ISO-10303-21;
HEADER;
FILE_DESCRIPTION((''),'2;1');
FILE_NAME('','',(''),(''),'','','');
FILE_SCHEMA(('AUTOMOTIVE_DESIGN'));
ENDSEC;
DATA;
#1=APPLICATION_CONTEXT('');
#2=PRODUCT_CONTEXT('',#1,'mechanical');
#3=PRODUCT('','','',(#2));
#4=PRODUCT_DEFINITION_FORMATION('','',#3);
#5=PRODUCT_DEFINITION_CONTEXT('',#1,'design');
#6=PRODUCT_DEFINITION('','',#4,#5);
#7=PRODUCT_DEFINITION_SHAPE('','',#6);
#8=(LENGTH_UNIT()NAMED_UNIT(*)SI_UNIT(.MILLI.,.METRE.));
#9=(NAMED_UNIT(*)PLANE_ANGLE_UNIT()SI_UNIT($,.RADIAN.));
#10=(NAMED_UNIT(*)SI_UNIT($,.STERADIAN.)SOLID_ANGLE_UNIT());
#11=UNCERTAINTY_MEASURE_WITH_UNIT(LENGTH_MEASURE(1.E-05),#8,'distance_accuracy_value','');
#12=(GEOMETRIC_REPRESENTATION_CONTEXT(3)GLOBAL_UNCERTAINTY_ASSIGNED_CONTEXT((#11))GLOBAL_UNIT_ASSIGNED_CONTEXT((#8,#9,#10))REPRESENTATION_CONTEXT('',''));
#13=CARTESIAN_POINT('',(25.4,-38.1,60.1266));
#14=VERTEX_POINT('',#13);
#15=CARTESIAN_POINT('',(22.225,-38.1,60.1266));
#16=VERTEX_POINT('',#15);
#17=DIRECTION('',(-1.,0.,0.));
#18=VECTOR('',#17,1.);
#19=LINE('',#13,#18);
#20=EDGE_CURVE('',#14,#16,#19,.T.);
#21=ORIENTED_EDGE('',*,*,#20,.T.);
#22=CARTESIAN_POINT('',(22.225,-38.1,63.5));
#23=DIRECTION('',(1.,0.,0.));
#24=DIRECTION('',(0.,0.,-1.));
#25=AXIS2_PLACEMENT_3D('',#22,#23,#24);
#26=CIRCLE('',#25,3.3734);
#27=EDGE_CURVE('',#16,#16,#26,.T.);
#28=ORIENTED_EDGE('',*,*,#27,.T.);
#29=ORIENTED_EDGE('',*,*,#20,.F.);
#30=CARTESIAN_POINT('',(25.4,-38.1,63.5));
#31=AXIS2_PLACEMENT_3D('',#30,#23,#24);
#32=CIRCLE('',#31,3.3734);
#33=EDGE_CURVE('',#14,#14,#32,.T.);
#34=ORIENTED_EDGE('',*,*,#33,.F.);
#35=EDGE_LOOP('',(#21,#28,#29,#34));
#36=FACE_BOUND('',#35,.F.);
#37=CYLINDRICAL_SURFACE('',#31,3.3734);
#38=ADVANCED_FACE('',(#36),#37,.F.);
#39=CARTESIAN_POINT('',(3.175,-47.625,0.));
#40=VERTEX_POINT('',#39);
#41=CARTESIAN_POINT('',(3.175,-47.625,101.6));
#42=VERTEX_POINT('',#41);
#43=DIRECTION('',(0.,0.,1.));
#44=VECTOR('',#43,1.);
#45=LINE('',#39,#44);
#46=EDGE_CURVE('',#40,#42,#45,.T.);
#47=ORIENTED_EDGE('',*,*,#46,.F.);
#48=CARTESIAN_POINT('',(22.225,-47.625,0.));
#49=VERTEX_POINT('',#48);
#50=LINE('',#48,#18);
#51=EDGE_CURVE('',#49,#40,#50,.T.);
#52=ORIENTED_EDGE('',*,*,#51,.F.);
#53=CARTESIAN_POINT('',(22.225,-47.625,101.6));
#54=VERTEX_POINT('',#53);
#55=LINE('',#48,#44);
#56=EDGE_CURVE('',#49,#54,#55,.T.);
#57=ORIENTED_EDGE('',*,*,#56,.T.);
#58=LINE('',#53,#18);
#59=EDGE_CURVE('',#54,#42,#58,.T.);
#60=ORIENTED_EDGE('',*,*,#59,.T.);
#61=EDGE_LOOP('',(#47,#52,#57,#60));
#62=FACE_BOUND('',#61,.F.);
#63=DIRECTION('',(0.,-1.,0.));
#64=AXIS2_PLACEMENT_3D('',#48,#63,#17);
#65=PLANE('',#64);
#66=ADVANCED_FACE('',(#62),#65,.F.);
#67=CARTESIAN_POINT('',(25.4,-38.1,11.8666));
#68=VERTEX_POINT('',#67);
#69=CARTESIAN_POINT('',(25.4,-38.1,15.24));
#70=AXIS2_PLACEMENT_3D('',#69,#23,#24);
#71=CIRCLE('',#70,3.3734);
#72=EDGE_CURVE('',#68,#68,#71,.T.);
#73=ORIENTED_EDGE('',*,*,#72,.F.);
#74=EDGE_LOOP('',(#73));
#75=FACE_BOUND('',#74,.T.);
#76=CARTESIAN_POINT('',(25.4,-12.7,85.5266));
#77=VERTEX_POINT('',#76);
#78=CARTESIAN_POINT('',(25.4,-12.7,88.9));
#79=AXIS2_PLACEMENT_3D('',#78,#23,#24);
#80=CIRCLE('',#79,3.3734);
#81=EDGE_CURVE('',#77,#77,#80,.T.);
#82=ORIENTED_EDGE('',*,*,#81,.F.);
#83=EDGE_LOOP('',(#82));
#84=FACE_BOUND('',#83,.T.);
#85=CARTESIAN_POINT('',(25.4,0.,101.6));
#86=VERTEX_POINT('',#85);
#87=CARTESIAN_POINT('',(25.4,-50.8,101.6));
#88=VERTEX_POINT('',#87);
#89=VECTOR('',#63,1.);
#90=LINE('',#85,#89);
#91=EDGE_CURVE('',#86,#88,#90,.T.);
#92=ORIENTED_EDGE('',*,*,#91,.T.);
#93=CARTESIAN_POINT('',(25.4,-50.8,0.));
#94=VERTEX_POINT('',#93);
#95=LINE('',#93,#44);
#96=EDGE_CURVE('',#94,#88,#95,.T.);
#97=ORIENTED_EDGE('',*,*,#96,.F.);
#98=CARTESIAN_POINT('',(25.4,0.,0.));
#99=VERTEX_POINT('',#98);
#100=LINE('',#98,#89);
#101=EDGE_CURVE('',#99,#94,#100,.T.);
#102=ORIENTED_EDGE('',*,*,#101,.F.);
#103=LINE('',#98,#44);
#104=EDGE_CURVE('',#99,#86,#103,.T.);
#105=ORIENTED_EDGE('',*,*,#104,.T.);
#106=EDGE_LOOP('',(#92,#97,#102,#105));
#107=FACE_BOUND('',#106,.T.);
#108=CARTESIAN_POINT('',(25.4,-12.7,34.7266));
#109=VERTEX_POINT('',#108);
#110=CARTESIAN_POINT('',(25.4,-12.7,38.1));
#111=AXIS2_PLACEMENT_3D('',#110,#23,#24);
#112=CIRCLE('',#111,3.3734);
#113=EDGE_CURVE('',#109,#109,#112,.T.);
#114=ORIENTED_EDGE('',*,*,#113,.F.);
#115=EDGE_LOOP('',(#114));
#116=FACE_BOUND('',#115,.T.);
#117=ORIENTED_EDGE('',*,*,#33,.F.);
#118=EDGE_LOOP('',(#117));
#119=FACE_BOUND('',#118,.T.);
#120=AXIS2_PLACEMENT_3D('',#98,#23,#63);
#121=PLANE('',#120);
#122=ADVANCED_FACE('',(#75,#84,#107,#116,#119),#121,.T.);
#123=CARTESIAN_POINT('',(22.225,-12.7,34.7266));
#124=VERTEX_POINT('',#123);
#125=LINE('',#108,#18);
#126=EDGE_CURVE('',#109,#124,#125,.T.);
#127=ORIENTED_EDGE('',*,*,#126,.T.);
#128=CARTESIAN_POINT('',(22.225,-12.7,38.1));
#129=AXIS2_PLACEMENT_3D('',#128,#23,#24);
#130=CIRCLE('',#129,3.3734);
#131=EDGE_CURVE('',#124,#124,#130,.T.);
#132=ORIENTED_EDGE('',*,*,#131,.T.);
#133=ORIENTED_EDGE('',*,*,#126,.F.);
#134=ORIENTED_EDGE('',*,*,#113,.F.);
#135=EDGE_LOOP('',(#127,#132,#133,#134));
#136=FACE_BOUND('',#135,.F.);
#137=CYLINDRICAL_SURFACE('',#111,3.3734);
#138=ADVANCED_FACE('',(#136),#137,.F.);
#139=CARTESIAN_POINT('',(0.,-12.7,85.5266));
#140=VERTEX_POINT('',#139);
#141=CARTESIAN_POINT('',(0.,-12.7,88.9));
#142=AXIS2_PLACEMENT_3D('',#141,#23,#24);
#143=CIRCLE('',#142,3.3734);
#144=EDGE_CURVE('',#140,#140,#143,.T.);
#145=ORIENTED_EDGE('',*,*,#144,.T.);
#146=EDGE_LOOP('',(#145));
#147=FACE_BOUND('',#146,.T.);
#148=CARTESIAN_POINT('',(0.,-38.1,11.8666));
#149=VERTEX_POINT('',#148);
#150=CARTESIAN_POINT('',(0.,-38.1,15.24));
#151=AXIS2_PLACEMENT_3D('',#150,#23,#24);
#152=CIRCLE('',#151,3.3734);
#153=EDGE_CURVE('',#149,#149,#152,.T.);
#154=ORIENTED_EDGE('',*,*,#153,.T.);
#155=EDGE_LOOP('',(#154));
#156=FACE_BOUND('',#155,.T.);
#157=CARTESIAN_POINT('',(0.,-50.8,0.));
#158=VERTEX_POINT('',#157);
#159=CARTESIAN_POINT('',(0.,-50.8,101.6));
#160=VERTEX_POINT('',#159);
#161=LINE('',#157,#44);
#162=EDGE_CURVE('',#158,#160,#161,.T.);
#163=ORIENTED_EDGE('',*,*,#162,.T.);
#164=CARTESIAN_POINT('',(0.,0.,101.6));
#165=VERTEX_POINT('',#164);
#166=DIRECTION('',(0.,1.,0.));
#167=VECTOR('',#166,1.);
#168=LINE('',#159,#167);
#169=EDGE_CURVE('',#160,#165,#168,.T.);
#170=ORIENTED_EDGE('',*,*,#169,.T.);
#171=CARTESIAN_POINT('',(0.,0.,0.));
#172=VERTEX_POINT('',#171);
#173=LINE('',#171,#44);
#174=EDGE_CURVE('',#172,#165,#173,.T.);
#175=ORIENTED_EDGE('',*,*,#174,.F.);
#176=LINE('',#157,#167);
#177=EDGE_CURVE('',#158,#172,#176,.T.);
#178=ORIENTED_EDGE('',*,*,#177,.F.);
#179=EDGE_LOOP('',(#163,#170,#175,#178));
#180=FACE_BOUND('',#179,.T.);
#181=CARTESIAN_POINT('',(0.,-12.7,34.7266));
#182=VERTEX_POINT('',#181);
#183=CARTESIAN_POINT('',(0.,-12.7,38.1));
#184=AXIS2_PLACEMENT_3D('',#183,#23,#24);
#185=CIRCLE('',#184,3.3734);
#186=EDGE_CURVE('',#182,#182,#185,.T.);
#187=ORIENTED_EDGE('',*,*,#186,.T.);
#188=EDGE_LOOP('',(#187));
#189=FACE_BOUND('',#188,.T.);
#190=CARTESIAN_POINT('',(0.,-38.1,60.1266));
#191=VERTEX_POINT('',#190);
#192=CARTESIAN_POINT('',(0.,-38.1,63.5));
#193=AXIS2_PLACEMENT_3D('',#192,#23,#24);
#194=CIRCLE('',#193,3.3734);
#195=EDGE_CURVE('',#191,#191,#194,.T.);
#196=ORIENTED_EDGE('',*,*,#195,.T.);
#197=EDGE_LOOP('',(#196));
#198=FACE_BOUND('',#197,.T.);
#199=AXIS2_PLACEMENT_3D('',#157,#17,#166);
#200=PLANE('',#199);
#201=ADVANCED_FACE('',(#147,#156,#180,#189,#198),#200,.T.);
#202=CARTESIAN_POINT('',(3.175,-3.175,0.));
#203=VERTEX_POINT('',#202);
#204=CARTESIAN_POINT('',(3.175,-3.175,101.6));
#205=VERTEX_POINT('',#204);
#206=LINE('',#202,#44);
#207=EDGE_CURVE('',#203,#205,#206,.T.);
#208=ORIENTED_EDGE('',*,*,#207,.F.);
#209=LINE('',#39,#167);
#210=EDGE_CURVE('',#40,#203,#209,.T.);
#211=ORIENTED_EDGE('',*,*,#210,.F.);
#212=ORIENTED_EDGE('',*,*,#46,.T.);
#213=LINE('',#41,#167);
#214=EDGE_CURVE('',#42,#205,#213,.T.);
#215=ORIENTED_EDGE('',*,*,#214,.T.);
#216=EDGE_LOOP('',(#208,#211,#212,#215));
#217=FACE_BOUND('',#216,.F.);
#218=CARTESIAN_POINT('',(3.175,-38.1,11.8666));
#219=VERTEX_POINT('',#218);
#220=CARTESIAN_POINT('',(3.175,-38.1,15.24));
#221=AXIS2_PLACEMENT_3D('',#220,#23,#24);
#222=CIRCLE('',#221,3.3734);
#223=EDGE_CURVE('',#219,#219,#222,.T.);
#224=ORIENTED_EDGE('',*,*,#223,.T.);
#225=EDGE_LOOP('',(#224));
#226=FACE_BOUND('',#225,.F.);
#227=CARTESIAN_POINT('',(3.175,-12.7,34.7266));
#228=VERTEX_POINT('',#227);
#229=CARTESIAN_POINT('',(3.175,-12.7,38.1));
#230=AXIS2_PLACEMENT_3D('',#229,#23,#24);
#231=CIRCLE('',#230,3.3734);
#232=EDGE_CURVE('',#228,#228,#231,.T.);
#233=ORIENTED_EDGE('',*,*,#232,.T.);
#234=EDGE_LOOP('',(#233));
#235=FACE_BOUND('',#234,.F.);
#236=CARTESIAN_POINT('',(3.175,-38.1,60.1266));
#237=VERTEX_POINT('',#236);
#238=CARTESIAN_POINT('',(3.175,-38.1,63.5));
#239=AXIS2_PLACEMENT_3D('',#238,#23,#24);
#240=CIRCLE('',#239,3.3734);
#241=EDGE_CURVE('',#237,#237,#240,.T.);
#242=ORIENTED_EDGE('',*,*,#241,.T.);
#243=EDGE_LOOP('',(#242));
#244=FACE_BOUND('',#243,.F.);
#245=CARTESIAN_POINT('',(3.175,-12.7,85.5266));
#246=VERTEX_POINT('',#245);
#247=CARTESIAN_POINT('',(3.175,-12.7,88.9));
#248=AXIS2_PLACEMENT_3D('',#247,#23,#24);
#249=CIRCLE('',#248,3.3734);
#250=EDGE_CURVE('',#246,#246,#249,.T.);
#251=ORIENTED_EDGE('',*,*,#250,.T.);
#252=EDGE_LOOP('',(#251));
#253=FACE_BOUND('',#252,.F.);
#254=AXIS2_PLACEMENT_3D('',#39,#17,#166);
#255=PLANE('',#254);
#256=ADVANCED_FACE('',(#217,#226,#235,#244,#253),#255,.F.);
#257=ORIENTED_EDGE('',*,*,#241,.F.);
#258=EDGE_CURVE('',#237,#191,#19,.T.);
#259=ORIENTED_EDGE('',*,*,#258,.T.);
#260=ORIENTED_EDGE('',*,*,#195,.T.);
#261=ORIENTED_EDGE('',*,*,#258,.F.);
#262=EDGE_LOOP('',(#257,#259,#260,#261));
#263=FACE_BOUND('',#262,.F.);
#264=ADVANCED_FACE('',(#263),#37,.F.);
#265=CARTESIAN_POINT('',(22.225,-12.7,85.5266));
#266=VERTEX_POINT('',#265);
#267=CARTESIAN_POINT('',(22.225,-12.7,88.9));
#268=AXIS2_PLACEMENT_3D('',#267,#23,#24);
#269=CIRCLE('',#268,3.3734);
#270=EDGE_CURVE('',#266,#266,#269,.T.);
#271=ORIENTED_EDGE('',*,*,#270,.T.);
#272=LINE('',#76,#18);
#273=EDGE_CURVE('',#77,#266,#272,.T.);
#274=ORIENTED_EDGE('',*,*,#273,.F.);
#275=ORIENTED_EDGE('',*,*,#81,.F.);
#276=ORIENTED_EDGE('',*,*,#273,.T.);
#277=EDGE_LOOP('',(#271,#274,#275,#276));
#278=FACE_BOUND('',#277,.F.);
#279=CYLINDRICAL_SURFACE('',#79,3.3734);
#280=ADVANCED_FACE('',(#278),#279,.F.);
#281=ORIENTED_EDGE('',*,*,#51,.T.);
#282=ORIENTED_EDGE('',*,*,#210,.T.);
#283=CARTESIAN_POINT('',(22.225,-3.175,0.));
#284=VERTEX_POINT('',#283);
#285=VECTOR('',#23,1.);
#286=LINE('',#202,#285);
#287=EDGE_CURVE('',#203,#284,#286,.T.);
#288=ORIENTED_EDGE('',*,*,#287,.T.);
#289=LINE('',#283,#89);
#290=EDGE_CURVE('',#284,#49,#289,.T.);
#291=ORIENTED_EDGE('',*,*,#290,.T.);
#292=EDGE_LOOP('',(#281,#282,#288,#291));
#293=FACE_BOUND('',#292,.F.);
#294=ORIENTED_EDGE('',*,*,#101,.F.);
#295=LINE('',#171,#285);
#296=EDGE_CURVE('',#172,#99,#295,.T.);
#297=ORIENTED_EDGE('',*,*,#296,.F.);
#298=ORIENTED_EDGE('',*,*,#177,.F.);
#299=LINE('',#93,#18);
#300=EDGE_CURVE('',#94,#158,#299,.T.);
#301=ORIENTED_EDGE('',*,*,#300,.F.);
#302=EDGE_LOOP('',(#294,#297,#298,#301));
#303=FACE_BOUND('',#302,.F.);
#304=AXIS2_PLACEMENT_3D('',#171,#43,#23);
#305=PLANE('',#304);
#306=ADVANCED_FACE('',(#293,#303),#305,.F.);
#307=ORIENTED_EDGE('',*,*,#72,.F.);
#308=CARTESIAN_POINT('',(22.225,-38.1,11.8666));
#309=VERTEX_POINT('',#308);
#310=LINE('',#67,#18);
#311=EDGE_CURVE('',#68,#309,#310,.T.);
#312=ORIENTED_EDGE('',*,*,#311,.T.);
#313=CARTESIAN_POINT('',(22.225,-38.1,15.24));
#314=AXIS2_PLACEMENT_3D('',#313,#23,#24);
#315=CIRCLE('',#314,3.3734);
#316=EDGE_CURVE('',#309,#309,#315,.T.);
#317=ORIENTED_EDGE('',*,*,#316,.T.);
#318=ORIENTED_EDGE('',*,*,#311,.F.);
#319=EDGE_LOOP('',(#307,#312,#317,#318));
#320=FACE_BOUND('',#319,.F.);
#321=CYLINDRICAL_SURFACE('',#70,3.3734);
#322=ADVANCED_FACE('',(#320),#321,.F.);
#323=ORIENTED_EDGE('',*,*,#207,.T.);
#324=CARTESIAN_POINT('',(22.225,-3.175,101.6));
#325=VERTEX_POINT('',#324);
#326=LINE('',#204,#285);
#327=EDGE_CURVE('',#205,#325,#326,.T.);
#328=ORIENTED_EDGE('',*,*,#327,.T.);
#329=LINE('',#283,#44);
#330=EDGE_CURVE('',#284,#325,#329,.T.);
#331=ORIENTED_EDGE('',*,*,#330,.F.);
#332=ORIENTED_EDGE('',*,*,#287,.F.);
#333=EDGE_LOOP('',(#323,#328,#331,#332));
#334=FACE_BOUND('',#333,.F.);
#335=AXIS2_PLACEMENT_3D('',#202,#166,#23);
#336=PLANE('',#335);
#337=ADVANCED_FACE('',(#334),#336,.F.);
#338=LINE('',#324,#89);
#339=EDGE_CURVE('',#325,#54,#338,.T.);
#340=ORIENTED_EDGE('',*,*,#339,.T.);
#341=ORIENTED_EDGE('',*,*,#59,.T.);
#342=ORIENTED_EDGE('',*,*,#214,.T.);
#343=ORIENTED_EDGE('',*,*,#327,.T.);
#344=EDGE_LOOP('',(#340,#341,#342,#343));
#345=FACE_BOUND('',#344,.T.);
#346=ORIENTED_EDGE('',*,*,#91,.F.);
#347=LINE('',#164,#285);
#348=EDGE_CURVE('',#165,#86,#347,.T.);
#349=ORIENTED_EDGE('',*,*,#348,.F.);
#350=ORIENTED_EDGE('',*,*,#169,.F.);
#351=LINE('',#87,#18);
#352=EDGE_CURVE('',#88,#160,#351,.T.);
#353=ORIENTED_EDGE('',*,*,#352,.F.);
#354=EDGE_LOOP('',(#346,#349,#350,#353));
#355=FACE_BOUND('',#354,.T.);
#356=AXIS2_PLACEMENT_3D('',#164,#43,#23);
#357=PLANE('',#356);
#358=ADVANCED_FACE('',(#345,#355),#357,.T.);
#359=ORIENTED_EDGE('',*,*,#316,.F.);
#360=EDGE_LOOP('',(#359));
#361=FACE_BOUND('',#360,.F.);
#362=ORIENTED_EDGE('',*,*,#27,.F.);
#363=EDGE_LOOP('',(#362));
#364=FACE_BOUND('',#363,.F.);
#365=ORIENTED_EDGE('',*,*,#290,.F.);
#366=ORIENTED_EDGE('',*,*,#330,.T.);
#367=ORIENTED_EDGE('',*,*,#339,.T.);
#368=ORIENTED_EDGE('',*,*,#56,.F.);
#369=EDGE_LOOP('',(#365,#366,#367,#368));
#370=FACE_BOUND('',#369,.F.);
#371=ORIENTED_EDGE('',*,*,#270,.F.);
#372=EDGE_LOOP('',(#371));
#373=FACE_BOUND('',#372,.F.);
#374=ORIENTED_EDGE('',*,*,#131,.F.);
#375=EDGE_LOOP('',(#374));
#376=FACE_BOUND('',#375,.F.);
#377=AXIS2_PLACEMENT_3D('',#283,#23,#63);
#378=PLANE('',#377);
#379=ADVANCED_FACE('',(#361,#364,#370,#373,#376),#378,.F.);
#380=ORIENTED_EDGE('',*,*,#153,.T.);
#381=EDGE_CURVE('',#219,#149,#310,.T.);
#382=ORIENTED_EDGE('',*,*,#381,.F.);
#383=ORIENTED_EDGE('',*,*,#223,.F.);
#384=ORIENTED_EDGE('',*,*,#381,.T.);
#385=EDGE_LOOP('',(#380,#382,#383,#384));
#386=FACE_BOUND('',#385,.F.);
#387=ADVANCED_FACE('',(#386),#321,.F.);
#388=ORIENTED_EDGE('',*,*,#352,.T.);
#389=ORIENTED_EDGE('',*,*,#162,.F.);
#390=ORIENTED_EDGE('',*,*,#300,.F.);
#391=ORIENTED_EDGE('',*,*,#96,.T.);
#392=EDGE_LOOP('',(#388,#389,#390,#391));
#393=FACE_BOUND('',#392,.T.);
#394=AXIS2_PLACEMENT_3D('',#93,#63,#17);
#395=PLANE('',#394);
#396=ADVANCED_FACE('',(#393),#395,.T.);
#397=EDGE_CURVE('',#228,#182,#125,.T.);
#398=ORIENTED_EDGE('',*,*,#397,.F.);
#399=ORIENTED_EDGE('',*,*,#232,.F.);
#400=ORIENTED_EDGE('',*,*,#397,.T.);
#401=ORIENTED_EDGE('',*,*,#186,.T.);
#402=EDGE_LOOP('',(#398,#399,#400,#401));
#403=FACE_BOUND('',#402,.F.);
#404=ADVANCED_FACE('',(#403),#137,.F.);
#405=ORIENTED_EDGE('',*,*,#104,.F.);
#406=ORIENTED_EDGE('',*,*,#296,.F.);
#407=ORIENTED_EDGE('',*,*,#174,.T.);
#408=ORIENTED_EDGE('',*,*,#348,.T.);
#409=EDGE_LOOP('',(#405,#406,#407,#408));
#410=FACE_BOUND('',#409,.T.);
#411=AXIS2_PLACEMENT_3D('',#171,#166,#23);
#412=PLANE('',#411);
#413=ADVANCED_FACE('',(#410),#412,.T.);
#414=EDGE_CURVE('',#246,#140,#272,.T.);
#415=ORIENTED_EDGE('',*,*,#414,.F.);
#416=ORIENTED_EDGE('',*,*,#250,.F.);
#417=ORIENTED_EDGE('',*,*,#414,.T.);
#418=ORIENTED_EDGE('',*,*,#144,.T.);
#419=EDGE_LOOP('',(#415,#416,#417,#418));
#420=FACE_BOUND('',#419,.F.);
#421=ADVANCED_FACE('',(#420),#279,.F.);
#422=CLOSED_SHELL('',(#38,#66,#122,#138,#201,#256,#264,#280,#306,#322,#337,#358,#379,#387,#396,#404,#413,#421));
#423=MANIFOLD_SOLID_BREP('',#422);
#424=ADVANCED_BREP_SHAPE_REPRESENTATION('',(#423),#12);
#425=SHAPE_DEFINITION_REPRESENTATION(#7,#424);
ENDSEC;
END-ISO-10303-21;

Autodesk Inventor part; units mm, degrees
ref_plane "YZ Plane" through (0, 0, 0) normal (1, 0, 0) x (0, 1, 0)
ref_plane "XZ Plane" through (0, 0, 0) normal (0, 1, 0) x (-1, 0, 0)
ref_plane "XY Plane" through (0, 0, 0) normal (0, 0, 1) x (1, 0, 0)
sketch "Sketch1" plane through (0, 0, 0) normal (0, 0, 1) x (1, 0, 0)
  line L0 (0, 0) -> (25.4, 0)
  line L1 (25.4, 0) -> (25.4, -50.8)
  line L2 (25.4, -50.8) -> (0, -50.8)
  line L3 (0, -50.8) -> (0, 0)
  line L4 (3.175, -3.175) -> (22.225, -3.175)
  line L5 (22.225, -3.175) -> (22.225, -47.625)
  line L6 (22.225, -47.625) -> (3.175, -47.625)
  line L7 (3.175, -47.625) -> (3.175, -3.175)
  dimension "d0" = 25.4
  dimension "d1" = 50.8
  dimension "d2" = 3.175
  dimension "d3" = 3.175
  dimension "d4" = 3.175
  dimension "d5" = 3.175
extrude "Extrusion1" add sketch "Sketch1" along normal blind 101.6
sketch "Sketch2" plane through (25.4, -50.8, 0) normal (1, 0, 0) x (0, 0, -1)
  circle A0 centre (-63.5, 12.7) radius 3.3734
  line L0 (0, 50.8) -> (0, 0) projected
  line L1 (0, 50.8) -> (-101.6, 50.8) projected
  circle A1 centre (-88.9, 38.1) radius 3.3734
  circle A2 centre (-38.1, 38.1) radius 3.3734
  circle A3 centre (-15.24, 12.7) radius 3.3734
  line L2 (0, 0) -> (-101.6, 0) projected
  dimension "d8" = 6.7469
  dimension "d12" = 63.5
  dimension "d13" = 88.9
  dimension "d14" = 12.7
  dimension "d17" = 38.1
  dimension "d27" = 15.24
  dimension "d28" = 12.7
  dimension "d29" = 38.1
  dimension "d30" = 12.7
extrude "Extrusion3" cut sketch "Sketch2" against normal blind 25.4
properties part number "flywheelsupport" material "Aluminum 6061"
